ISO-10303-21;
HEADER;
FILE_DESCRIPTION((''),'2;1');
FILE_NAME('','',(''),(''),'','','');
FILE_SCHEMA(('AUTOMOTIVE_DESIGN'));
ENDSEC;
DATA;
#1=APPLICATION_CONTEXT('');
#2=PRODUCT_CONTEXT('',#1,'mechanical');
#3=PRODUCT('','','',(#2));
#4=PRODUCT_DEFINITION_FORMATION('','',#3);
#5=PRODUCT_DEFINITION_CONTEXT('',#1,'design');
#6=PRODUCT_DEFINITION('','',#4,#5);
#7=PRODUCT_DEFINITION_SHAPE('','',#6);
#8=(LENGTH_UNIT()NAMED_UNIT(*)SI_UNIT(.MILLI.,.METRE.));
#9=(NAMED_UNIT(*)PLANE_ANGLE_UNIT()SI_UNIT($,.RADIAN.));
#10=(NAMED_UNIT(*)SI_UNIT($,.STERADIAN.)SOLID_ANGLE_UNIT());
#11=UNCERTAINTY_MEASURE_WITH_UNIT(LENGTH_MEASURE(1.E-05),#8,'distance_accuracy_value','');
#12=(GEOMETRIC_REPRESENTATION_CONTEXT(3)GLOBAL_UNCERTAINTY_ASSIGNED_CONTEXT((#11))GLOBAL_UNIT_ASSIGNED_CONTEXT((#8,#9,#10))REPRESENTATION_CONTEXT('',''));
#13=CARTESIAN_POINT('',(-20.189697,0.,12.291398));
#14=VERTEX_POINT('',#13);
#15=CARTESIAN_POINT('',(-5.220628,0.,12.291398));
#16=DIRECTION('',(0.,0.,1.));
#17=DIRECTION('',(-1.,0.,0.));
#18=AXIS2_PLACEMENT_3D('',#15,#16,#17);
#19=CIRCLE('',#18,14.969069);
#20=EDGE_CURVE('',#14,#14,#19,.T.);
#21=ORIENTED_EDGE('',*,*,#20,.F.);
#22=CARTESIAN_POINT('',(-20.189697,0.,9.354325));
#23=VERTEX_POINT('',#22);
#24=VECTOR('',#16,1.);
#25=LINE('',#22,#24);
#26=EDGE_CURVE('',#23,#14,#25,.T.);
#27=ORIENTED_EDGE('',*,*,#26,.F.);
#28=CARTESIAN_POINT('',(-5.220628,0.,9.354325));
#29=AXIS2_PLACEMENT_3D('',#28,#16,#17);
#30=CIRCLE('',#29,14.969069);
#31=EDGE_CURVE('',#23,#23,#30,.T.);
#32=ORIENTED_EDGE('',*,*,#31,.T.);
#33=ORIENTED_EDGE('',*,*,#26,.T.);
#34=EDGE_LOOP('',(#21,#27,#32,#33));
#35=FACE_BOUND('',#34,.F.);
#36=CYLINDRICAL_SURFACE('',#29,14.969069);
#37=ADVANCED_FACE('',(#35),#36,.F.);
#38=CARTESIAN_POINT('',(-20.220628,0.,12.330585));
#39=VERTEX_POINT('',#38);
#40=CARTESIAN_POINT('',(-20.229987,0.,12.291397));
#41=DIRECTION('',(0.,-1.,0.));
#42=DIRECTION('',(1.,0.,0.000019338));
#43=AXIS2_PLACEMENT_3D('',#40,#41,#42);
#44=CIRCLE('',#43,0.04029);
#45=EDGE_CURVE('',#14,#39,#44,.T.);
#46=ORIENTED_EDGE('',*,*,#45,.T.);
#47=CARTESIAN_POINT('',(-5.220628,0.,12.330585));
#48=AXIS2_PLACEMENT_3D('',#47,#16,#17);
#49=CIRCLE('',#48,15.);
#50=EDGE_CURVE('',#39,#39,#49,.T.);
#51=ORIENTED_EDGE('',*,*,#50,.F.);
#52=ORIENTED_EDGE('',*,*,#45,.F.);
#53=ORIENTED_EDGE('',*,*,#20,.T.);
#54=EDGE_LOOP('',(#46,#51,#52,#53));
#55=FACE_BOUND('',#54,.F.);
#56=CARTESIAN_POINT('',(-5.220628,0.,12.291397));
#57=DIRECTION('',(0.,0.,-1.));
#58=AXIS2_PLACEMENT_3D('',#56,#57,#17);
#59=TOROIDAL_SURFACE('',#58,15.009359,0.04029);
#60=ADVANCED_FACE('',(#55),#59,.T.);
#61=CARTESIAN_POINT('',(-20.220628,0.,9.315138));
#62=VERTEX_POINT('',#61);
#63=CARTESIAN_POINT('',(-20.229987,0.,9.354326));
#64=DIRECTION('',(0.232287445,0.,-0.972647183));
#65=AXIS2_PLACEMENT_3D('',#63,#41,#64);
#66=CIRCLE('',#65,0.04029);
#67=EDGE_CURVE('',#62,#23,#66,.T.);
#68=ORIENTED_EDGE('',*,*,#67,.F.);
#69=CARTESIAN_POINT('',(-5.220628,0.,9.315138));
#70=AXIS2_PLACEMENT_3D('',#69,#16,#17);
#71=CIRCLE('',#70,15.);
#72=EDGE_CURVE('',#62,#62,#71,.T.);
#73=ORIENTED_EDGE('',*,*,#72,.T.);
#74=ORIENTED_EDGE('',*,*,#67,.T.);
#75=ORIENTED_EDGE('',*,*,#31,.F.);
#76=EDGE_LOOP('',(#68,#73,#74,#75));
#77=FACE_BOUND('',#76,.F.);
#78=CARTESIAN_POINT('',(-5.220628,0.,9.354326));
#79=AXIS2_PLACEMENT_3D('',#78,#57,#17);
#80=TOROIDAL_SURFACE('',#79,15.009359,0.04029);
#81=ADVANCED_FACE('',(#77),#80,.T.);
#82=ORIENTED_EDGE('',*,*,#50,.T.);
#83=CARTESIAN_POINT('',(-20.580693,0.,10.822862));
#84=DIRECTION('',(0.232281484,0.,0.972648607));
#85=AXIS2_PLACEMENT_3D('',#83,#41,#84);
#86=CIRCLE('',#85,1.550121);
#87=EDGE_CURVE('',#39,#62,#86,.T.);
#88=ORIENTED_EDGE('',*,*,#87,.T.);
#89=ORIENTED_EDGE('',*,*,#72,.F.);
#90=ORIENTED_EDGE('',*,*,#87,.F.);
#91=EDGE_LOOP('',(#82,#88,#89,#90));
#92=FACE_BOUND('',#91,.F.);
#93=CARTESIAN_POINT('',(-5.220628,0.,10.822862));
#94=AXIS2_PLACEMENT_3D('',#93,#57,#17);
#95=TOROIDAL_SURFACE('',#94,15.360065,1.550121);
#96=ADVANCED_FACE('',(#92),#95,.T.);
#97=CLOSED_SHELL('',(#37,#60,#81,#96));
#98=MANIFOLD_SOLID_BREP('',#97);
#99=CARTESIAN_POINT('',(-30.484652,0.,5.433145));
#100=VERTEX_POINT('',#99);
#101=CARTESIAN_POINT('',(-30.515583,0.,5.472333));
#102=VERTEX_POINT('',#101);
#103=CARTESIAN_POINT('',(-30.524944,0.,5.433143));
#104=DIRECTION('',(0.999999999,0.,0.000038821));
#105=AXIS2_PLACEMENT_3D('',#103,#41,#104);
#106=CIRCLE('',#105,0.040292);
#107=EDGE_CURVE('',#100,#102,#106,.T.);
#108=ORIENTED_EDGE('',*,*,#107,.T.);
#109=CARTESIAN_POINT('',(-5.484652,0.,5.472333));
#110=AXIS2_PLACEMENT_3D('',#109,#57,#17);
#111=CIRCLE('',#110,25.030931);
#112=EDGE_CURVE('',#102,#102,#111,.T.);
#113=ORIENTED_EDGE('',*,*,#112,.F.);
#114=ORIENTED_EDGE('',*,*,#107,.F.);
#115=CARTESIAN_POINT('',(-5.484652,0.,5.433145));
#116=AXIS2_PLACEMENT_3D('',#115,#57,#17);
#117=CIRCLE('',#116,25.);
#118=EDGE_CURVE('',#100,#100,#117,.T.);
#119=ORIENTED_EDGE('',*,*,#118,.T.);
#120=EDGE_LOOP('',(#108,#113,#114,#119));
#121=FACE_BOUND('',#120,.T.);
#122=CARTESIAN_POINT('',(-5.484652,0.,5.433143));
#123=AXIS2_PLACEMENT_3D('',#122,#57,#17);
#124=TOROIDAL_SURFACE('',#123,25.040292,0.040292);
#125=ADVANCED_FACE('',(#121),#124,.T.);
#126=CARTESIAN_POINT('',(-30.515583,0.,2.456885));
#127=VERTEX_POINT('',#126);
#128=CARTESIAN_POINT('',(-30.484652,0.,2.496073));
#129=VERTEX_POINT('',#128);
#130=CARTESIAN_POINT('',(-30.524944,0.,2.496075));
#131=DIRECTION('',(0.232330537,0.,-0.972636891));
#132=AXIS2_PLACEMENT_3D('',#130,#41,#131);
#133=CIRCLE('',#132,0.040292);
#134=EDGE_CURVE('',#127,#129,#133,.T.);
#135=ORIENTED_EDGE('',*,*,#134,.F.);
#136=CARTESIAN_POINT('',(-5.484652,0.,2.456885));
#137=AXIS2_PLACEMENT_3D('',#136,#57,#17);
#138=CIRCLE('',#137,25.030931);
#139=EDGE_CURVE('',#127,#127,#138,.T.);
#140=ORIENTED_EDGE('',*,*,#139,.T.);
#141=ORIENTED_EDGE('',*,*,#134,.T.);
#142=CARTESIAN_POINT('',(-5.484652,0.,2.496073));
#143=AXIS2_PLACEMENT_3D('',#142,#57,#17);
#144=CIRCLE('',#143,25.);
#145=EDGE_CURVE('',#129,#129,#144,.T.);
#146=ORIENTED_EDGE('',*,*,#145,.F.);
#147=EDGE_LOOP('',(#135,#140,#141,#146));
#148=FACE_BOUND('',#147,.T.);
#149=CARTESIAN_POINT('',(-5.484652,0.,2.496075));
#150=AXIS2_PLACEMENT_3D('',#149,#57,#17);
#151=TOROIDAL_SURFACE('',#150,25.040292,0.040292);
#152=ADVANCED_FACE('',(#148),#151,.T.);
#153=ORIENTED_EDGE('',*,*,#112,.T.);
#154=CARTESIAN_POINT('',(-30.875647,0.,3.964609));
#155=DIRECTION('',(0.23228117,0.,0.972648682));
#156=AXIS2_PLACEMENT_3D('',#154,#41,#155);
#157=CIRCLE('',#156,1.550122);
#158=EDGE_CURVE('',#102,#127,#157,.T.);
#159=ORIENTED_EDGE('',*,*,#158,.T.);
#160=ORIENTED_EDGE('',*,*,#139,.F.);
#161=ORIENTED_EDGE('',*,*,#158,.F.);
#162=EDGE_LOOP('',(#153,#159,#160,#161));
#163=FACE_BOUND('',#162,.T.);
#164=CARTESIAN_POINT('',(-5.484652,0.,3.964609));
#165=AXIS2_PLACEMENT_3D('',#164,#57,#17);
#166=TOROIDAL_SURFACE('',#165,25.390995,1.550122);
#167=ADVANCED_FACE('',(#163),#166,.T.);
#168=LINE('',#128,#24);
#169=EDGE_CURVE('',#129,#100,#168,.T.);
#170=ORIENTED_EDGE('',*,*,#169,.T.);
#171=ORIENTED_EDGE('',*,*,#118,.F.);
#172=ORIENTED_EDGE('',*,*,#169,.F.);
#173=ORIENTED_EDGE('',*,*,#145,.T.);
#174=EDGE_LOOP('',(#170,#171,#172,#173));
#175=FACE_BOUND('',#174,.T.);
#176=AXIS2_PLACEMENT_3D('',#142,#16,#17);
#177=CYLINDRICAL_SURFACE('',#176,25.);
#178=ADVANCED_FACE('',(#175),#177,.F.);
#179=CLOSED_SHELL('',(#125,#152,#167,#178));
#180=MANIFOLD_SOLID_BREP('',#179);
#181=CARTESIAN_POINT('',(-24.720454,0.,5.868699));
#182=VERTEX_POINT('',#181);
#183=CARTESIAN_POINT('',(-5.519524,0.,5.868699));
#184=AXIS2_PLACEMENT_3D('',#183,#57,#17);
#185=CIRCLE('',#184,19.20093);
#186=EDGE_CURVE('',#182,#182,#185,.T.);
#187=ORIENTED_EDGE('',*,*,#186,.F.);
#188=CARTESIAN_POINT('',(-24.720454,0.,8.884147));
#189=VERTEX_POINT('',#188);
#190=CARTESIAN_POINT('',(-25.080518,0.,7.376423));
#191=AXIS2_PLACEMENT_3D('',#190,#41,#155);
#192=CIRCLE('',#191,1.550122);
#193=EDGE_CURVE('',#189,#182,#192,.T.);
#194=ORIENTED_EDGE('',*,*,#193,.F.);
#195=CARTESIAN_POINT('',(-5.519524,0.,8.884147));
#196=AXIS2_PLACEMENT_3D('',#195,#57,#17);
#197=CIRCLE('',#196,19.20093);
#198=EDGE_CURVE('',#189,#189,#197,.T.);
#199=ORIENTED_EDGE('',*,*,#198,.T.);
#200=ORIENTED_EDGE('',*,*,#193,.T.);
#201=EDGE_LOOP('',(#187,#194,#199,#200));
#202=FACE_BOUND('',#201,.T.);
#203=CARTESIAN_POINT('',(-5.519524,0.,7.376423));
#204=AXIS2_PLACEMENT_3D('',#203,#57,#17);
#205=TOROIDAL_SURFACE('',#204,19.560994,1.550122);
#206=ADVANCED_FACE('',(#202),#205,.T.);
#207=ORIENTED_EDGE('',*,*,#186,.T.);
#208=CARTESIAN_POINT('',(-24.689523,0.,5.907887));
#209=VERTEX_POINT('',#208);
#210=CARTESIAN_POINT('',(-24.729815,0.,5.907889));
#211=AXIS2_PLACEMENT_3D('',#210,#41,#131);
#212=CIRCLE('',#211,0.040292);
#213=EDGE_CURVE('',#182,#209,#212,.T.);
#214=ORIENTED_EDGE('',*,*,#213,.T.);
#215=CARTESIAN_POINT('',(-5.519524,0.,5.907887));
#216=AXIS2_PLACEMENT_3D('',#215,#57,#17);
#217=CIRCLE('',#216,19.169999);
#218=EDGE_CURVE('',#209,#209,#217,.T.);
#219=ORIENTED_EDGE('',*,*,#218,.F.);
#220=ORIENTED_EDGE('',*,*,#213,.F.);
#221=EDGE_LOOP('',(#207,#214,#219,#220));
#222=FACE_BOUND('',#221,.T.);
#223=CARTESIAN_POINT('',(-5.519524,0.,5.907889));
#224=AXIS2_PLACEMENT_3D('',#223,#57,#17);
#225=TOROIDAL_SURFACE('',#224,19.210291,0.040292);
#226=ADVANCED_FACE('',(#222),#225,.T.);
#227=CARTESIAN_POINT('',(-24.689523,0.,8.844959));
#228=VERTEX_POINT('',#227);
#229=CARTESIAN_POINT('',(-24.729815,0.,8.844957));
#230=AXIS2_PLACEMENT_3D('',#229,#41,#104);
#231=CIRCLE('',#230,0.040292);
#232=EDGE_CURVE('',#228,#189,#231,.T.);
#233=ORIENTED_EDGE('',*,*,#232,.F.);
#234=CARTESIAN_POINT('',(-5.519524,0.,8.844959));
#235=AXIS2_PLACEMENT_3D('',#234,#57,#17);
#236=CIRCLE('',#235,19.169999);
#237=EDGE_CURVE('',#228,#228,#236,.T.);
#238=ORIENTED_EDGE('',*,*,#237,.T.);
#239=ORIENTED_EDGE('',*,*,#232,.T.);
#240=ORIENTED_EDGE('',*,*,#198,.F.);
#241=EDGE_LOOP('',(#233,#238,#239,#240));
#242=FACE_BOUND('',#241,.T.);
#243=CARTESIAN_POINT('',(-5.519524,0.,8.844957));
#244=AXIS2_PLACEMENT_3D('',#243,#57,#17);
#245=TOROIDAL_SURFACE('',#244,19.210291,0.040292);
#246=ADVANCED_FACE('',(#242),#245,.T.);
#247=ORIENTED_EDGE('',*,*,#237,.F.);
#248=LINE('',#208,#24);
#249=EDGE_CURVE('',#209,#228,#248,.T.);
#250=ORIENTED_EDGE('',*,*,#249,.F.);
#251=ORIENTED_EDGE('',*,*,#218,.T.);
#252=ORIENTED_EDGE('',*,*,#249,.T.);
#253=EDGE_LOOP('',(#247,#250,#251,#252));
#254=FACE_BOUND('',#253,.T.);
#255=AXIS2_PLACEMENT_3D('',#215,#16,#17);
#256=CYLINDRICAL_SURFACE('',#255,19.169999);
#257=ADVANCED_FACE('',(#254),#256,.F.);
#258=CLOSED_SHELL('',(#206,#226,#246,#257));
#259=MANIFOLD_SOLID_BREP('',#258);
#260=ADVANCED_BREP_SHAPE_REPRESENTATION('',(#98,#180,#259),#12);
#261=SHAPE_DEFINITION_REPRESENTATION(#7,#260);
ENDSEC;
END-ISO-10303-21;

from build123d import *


with BuildPart() as f1:
    # F0 (on Front) → F1 (revolve)
    with BuildSketch(Plane.XZ):
        with BuildLine():
            ThreePointArc((-30.515583, 2.456885), (-30.493317, 2.471111), (-30.484652, 2.496073))
            Line((-30.484652, 2.496073), (-30.484652, 5.433145))
            ThreePointArc((-30.484652, 5.433145), (-30.493317, 5.458107), (-30.515583, 5.472333))
            ThreePointArc((-30.515583, 5.472333), (-32.425769, 3.964609), (-30.515583, 2.456885))
        make_face()
    revolve(axis=Axis((-5.484652, 0, 2.798771), (0, 0, -1)))


with BuildPart() as f3:
    # F2 (on Front) → F3 (revolve)
    with BuildSketch(Plane.XZ):
        with BuildLine():
            ThreePointArc((-26.020454, 5.868699), (-25.998188, 5.882925), (-25.989523, 5.907887))
            Line((-25.989523, 5.907887), (-25.989523, 8.844959))
            ThreePointArc((-25.989523, 8.844959), (-25.998188, 8.869921), (-26.020454, 8.884147))
            ThreePointArc((-26.020454, 8.884147), (-27.93064, 7.376423), (-26.020454, 5.868699))
        make_face()
    revolve(axis=Axis((-6.819524, 0, 6.650587), (0, 0, -1)))


with BuildPart() as f3_1:
    # F4: moved
    add(f3.part.moved(Location((0.8, 0, 0))))


with BuildPart() as f3_2:
    # F5: moved
    add(f3_1.part.moved(Location((1.1, 0, 0))))


with BuildPart() as f3_3:
    # F6: moved
    add(f3_2.part.moved(Location((-0.6, 0, 0))))


with BuildPart() as f8:
    # F7 (on Front) → F8 (revolve)
    with BuildSketch(Plane.XZ):
        with BuildLine():
            ThreePointArc((-20.220628, 9.315138), (-20.198362, 9.329363), (-20.189697, 9.354325))
            Line((-20.189697, 9.354325), (-20.189697, 12.291398))
            ThreePointArc((-20.189697, 12.291398), (-20.198362, 12.31636), (-20.220628, 12.330585))
            ThreePointArc((-20.220628, 12.330585), (-22.130814, 10.822862), (-20.220628, 9.315138))
        make_face()
    revolve(axis=Axis((-5.220628, 0, 17.351193), (0, 0, 1)))


solid = Compound([f1.part, f3_3.part, f8.part])
